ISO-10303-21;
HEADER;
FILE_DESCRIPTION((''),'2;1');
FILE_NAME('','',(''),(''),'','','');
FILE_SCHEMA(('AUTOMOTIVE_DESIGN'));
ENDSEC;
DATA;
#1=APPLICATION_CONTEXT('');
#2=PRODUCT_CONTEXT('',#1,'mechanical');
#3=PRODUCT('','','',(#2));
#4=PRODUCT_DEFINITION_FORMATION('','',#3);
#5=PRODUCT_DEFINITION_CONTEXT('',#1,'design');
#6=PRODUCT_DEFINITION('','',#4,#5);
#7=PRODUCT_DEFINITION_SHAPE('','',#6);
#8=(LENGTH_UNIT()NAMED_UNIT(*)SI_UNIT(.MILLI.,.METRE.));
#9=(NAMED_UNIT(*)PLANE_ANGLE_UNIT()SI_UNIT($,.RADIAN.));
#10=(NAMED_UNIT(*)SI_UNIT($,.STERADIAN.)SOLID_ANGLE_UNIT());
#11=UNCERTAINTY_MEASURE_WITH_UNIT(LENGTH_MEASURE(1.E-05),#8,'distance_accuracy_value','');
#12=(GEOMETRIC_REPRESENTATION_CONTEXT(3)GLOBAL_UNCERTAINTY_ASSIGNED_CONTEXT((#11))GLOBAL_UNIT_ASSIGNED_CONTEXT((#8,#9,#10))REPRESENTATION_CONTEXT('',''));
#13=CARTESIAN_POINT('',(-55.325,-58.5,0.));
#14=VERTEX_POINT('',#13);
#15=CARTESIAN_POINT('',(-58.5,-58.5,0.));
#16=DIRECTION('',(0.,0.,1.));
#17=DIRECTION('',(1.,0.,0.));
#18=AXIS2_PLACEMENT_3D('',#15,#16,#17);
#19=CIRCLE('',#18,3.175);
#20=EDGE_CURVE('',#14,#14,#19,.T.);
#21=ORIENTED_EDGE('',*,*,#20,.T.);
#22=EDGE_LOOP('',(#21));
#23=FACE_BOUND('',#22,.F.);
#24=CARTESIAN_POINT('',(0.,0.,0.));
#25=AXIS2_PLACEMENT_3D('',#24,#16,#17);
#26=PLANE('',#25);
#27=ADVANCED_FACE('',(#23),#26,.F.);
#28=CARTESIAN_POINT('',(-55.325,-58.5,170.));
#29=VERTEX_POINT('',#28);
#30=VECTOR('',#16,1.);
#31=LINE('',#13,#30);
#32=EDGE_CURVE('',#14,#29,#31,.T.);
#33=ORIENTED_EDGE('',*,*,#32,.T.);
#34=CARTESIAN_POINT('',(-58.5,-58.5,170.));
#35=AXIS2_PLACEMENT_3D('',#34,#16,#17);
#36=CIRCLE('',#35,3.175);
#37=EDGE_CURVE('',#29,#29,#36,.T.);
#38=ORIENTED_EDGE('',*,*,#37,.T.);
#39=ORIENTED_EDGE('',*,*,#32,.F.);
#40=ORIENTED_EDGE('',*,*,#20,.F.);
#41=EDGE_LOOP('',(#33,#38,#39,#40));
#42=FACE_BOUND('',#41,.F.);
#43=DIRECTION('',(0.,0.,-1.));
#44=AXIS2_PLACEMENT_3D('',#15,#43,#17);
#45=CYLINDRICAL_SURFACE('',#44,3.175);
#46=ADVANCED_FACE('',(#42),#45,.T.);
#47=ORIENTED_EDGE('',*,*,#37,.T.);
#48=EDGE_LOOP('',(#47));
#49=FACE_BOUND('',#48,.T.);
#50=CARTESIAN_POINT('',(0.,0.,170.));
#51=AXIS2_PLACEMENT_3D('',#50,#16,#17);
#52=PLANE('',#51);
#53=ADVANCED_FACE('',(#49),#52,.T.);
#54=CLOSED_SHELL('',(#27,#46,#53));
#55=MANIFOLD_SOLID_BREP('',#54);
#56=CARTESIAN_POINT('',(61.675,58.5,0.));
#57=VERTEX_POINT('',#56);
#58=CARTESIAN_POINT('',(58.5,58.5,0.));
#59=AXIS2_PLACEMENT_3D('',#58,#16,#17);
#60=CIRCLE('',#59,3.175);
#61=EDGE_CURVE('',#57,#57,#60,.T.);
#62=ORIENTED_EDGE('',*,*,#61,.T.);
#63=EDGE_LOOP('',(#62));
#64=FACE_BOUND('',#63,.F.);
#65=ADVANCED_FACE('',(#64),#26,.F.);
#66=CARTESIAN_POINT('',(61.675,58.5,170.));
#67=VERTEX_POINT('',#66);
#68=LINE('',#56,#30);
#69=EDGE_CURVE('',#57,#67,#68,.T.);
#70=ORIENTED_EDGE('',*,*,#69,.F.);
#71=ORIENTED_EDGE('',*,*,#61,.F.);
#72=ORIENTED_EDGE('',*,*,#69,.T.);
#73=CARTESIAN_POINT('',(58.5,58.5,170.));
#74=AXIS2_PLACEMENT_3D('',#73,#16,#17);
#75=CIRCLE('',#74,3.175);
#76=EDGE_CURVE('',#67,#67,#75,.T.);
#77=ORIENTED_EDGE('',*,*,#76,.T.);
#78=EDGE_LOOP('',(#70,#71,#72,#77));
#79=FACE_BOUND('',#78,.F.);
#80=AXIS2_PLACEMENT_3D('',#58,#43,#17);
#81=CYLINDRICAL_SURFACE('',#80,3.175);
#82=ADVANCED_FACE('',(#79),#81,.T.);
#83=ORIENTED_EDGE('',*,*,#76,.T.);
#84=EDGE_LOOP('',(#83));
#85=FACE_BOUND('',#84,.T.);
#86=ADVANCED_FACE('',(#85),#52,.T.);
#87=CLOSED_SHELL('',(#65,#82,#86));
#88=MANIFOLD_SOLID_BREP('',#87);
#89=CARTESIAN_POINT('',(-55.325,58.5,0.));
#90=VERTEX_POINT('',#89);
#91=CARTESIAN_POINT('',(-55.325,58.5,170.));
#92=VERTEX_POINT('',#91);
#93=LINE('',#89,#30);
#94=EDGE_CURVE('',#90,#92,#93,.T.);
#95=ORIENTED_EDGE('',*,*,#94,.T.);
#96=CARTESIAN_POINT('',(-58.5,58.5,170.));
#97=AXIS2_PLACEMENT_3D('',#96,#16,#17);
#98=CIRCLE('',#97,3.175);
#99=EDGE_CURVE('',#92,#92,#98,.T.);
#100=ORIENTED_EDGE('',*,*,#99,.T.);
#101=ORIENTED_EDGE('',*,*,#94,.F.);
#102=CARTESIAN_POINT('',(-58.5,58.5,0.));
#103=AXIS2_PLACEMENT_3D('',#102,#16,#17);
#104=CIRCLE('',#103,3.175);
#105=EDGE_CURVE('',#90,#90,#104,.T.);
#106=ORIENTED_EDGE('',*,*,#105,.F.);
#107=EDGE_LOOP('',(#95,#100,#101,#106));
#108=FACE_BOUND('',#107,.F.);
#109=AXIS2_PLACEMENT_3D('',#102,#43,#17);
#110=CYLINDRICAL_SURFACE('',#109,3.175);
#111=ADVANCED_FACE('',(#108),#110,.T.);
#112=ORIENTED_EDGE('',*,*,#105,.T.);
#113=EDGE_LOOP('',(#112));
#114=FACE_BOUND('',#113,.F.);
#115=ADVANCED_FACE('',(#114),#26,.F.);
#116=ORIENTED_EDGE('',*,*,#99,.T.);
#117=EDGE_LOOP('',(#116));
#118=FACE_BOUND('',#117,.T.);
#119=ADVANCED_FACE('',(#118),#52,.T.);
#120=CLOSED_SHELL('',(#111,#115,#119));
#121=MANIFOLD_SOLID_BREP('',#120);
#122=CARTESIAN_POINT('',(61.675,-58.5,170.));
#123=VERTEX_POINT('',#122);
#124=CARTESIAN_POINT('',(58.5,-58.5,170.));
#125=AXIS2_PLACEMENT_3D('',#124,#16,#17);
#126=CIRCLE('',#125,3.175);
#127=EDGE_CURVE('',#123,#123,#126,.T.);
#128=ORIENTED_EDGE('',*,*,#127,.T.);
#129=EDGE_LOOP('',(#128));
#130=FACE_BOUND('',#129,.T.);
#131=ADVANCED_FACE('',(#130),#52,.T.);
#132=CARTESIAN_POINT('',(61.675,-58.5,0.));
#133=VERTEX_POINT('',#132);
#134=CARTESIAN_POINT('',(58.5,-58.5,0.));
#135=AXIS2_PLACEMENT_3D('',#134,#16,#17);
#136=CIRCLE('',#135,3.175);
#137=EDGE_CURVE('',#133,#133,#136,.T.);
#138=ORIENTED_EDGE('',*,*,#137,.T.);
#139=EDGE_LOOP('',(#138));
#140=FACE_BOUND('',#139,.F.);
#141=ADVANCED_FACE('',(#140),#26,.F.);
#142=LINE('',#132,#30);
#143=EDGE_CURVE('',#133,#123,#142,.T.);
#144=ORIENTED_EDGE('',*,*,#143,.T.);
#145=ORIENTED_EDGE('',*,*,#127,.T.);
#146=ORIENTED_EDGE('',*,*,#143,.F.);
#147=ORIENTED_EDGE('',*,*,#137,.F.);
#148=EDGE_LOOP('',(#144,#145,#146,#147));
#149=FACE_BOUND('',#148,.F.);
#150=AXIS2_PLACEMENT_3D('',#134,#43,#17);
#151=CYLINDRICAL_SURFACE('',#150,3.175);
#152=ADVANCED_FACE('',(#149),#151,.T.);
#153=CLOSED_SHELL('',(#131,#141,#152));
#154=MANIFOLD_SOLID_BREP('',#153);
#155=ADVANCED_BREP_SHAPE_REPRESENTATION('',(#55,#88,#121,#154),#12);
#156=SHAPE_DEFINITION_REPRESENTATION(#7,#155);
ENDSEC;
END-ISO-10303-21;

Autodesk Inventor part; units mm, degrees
ref_plane "YZ Plane" through (0, 0, 0) normal (1, 0, 0) x (0, 1, 0)
ref_plane "XZ Plane" through (0, 0, 0) normal (0, 1, 0) x (-1, 0, 0)
ref_plane "XY Plane" through (0, 0, 0) normal (0, 0, 1) x (1, 0, 0)
sketch "Boceto1" plane through (0, 0, 0) normal (0, 0, 1) x (1, 0, 0)
  circle A0 centre (58.5, 58.5) radius 3.175 projected
  circle A1 centre (58.5, -58.5) radius 3.175 projected
  circle A2 centre (-58.5, -58.5) radius 3.175 projected
  circle A3 centre (-58.5, 58.5) radius 3.175 projected
  point P0 (0, 0)
extrude "Extrusión1" add sketch "Boceto1" along normal blind 170
thread "Rosca1" size "M7x1" class "6g" standard "ANSI Metric M Profile" full length
thread "Rosca2" size "M7x1" class "6g" standard "ANSI Metric M Profile" full length
thread "Rosca3" size "M7x1" class "6g" standard "ANSI Metric M Profile" full length
thread "Rosca4" size "M7x1" class "6g" standard "ANSI Metric M Profile" full length
properties part number "TrnlloSinFin"
